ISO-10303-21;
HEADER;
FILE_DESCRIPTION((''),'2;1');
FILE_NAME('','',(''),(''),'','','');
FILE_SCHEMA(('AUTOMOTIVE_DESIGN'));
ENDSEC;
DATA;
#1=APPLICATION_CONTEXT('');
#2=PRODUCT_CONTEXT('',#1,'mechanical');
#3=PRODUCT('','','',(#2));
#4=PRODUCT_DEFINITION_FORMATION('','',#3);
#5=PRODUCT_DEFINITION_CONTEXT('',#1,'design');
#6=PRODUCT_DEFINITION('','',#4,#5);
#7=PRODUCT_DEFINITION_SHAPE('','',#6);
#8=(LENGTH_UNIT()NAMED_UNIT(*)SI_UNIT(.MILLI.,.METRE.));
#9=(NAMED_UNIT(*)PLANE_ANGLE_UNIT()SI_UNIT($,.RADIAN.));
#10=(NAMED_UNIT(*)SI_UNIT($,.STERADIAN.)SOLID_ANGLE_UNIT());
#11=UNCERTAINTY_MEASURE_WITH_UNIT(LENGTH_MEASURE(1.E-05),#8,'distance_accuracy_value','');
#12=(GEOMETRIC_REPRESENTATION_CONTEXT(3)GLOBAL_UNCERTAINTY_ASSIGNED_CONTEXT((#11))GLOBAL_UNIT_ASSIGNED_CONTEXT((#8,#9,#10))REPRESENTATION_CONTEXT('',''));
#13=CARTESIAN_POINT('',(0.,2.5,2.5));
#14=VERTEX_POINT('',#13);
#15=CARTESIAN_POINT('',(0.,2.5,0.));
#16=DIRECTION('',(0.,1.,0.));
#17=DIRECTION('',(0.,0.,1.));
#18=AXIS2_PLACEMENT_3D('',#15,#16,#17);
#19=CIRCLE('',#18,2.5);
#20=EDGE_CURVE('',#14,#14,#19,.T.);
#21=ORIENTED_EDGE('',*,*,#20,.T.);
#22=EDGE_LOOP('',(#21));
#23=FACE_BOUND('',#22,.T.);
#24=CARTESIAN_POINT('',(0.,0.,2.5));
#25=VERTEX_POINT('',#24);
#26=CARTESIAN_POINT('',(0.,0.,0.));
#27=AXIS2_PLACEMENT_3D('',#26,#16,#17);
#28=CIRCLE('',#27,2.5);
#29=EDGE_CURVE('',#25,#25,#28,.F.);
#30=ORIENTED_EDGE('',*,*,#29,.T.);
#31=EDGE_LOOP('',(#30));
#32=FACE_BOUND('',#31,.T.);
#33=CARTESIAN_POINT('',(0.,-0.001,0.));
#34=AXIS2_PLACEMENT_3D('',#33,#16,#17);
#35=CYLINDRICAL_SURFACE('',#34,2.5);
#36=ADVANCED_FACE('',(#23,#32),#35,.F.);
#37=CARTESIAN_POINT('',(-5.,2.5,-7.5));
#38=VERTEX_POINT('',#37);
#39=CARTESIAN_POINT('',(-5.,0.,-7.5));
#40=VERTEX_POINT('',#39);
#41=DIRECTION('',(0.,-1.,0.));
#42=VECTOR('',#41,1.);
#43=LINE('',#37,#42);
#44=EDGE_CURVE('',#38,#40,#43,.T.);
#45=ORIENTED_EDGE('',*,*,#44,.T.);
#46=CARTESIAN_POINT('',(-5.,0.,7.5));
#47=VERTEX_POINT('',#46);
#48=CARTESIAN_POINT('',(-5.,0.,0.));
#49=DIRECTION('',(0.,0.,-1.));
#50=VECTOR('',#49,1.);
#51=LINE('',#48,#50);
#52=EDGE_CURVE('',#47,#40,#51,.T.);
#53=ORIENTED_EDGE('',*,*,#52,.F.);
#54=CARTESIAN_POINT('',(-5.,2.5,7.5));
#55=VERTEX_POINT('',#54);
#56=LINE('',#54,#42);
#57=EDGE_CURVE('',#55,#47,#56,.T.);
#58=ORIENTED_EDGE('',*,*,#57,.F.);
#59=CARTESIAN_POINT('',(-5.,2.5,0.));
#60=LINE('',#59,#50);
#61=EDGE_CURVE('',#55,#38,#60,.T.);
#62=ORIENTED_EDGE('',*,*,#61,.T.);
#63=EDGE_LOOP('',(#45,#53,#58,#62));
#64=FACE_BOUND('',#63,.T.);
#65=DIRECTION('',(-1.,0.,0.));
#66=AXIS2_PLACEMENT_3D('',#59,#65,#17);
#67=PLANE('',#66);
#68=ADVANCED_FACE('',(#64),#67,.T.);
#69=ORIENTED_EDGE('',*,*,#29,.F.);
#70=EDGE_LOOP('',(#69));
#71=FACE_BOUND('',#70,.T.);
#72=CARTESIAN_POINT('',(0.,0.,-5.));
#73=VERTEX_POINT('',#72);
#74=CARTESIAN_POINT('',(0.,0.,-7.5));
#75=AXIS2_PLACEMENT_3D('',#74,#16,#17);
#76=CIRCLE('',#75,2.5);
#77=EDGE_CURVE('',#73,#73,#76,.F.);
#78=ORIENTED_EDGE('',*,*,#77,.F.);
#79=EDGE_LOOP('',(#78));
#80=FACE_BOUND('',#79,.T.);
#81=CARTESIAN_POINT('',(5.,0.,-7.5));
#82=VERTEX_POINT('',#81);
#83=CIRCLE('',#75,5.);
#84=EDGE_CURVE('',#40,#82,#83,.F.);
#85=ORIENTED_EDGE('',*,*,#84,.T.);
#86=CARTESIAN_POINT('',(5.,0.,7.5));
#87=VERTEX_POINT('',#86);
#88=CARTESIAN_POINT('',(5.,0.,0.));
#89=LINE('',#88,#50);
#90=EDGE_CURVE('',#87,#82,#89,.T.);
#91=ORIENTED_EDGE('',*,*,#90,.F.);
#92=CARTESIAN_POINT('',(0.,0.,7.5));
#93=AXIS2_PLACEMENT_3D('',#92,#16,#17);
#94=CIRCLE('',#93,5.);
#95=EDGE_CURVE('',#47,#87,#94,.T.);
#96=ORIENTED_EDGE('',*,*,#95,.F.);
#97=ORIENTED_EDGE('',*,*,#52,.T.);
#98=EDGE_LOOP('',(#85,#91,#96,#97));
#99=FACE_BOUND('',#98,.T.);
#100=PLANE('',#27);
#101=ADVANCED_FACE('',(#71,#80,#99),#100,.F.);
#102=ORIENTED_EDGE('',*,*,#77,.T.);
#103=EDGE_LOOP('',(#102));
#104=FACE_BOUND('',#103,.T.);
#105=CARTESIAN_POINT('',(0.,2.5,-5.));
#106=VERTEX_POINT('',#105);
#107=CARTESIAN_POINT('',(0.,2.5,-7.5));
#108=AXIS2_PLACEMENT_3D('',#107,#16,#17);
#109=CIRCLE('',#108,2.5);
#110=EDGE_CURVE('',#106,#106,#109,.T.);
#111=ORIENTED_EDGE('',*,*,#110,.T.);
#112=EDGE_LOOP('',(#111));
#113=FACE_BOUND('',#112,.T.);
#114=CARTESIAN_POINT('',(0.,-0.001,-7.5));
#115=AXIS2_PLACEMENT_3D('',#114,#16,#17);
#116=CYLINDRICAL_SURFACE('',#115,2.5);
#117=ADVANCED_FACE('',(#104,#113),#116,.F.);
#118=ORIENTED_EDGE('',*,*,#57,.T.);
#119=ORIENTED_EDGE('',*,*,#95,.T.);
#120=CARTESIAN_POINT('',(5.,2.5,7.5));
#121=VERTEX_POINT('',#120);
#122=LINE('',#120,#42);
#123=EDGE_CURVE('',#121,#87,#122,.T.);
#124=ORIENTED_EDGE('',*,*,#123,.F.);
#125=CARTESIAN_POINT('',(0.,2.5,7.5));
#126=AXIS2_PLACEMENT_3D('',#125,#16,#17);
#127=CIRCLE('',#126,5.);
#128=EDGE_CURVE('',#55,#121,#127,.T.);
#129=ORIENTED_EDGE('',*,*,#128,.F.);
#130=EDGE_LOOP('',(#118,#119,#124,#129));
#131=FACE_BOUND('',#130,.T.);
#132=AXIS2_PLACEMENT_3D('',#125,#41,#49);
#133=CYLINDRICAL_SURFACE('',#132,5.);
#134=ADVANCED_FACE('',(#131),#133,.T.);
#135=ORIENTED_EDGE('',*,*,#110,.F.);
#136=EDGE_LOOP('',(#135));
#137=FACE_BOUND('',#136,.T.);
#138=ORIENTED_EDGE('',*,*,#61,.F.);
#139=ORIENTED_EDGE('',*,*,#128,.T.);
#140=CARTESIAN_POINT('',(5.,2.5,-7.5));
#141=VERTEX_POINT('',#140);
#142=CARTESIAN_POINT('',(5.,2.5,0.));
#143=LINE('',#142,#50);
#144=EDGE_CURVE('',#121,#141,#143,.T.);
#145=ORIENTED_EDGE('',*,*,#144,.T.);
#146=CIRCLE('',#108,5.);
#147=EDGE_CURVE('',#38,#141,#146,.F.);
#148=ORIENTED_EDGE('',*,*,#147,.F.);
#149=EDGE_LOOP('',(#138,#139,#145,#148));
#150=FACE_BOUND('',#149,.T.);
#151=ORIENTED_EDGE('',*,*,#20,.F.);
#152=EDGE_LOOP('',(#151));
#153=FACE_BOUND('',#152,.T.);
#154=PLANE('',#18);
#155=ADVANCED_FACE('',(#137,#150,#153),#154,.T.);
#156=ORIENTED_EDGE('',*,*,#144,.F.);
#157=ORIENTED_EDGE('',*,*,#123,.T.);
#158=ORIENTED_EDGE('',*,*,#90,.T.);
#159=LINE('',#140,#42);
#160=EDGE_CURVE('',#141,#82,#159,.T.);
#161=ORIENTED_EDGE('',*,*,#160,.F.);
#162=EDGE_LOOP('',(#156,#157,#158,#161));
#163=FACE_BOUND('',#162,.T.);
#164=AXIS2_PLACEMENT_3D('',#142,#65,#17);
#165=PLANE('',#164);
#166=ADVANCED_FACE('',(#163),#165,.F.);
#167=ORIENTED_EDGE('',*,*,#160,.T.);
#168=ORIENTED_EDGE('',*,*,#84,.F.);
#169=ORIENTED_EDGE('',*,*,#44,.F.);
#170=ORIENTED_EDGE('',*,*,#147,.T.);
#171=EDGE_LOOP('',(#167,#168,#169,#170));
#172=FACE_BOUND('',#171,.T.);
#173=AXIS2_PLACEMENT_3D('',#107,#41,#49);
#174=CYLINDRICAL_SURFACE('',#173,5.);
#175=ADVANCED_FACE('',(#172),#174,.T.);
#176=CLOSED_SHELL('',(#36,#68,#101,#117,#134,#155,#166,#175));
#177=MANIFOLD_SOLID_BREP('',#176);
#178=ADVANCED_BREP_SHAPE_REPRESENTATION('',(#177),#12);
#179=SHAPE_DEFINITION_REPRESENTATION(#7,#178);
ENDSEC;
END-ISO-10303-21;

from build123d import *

# Parameters (mm, degrees)
SKETCH1_W           = 10
SKETCH1_H           = 15
BOSS_EXTRUDE1_DEPTH = 2.5
CUT_EXTRUDE1_REACH  = 15.693
SKETCH2_R           = 2.5


with BuildPart() as part:
    # Sketch1 → Boss-Extrude1 (new body)
    with BuildSketch(Plane(origin=(0, 0, 0), x_dir=(1, 0, 0), z_dir=(0, 1, 0))):
        with BuildLine():
            ThreePointArc((-5, 7.5), (0, 12.5), (5, 7.5))
            Line((5, 7.5), (-5, 7.5))
        make_face()
        Rectangle(SKETCH1_W, SKETCH1_H)
        with BuildLine():
            Line((-5, -7.5), (5, -7.5))
            ThreePointArc((5, -7.5), (0, -12.5), (-5, -7.5))
        make_face()
    extrude(amount=BOSS_EXTRUDE1_DEPTH)

    # Sketch2 → Cut-Extrude1 (cut, up to next)
    with BuildSketch(Plane(origin=(0, 2.5, 0), x_dir=(1, 0, 0), z_dir=(0, 1, 0)), mode=Mode.PRIVATE) as cut_extrude1_sk1:
        with Locations(Location((0, 7.5, 0), (0, 0, 270))):
            Circle(SKETCH2_R)
    cut_extrude1_tool1 = extrude(cut_extrude1_sk1.sketch, amount=-CUT_EXTRUDE1_REACH, mode=Mode.PRIVATE) & part.part
    # Sketch2 → Cut-Extrude1 (cut, up to next)
    with BuildSketch(Plane(origin=(0, 2.5, 0), x_dir=(1, 0, 0), z_dir=(0, 1, 0)), mode=Mode.PRIVATE) as cut_extrude1_sk2:
        with Locations(Location((0, 0, 0), (0, 0, 270))):
            Circle(SKETCH2_R)
    cut_extrude1_tool2 = extrude(cut_extrude1_sk2.sketch, amount=-CUT_EXTRUDE1_REACH, mode=Mode.PRIVATE) & part.part
    add(cut_extrude1_tool1.solids().sort_by_distance((0, 2.5, -7.5))[0], mode=Mode.SUBTRACT)
    add(cut_extrude1_tool2.solids().sort_by_distance((0, 2.5, 0))[0], mode=Mode.SUBTRACT)


solid = part.part
